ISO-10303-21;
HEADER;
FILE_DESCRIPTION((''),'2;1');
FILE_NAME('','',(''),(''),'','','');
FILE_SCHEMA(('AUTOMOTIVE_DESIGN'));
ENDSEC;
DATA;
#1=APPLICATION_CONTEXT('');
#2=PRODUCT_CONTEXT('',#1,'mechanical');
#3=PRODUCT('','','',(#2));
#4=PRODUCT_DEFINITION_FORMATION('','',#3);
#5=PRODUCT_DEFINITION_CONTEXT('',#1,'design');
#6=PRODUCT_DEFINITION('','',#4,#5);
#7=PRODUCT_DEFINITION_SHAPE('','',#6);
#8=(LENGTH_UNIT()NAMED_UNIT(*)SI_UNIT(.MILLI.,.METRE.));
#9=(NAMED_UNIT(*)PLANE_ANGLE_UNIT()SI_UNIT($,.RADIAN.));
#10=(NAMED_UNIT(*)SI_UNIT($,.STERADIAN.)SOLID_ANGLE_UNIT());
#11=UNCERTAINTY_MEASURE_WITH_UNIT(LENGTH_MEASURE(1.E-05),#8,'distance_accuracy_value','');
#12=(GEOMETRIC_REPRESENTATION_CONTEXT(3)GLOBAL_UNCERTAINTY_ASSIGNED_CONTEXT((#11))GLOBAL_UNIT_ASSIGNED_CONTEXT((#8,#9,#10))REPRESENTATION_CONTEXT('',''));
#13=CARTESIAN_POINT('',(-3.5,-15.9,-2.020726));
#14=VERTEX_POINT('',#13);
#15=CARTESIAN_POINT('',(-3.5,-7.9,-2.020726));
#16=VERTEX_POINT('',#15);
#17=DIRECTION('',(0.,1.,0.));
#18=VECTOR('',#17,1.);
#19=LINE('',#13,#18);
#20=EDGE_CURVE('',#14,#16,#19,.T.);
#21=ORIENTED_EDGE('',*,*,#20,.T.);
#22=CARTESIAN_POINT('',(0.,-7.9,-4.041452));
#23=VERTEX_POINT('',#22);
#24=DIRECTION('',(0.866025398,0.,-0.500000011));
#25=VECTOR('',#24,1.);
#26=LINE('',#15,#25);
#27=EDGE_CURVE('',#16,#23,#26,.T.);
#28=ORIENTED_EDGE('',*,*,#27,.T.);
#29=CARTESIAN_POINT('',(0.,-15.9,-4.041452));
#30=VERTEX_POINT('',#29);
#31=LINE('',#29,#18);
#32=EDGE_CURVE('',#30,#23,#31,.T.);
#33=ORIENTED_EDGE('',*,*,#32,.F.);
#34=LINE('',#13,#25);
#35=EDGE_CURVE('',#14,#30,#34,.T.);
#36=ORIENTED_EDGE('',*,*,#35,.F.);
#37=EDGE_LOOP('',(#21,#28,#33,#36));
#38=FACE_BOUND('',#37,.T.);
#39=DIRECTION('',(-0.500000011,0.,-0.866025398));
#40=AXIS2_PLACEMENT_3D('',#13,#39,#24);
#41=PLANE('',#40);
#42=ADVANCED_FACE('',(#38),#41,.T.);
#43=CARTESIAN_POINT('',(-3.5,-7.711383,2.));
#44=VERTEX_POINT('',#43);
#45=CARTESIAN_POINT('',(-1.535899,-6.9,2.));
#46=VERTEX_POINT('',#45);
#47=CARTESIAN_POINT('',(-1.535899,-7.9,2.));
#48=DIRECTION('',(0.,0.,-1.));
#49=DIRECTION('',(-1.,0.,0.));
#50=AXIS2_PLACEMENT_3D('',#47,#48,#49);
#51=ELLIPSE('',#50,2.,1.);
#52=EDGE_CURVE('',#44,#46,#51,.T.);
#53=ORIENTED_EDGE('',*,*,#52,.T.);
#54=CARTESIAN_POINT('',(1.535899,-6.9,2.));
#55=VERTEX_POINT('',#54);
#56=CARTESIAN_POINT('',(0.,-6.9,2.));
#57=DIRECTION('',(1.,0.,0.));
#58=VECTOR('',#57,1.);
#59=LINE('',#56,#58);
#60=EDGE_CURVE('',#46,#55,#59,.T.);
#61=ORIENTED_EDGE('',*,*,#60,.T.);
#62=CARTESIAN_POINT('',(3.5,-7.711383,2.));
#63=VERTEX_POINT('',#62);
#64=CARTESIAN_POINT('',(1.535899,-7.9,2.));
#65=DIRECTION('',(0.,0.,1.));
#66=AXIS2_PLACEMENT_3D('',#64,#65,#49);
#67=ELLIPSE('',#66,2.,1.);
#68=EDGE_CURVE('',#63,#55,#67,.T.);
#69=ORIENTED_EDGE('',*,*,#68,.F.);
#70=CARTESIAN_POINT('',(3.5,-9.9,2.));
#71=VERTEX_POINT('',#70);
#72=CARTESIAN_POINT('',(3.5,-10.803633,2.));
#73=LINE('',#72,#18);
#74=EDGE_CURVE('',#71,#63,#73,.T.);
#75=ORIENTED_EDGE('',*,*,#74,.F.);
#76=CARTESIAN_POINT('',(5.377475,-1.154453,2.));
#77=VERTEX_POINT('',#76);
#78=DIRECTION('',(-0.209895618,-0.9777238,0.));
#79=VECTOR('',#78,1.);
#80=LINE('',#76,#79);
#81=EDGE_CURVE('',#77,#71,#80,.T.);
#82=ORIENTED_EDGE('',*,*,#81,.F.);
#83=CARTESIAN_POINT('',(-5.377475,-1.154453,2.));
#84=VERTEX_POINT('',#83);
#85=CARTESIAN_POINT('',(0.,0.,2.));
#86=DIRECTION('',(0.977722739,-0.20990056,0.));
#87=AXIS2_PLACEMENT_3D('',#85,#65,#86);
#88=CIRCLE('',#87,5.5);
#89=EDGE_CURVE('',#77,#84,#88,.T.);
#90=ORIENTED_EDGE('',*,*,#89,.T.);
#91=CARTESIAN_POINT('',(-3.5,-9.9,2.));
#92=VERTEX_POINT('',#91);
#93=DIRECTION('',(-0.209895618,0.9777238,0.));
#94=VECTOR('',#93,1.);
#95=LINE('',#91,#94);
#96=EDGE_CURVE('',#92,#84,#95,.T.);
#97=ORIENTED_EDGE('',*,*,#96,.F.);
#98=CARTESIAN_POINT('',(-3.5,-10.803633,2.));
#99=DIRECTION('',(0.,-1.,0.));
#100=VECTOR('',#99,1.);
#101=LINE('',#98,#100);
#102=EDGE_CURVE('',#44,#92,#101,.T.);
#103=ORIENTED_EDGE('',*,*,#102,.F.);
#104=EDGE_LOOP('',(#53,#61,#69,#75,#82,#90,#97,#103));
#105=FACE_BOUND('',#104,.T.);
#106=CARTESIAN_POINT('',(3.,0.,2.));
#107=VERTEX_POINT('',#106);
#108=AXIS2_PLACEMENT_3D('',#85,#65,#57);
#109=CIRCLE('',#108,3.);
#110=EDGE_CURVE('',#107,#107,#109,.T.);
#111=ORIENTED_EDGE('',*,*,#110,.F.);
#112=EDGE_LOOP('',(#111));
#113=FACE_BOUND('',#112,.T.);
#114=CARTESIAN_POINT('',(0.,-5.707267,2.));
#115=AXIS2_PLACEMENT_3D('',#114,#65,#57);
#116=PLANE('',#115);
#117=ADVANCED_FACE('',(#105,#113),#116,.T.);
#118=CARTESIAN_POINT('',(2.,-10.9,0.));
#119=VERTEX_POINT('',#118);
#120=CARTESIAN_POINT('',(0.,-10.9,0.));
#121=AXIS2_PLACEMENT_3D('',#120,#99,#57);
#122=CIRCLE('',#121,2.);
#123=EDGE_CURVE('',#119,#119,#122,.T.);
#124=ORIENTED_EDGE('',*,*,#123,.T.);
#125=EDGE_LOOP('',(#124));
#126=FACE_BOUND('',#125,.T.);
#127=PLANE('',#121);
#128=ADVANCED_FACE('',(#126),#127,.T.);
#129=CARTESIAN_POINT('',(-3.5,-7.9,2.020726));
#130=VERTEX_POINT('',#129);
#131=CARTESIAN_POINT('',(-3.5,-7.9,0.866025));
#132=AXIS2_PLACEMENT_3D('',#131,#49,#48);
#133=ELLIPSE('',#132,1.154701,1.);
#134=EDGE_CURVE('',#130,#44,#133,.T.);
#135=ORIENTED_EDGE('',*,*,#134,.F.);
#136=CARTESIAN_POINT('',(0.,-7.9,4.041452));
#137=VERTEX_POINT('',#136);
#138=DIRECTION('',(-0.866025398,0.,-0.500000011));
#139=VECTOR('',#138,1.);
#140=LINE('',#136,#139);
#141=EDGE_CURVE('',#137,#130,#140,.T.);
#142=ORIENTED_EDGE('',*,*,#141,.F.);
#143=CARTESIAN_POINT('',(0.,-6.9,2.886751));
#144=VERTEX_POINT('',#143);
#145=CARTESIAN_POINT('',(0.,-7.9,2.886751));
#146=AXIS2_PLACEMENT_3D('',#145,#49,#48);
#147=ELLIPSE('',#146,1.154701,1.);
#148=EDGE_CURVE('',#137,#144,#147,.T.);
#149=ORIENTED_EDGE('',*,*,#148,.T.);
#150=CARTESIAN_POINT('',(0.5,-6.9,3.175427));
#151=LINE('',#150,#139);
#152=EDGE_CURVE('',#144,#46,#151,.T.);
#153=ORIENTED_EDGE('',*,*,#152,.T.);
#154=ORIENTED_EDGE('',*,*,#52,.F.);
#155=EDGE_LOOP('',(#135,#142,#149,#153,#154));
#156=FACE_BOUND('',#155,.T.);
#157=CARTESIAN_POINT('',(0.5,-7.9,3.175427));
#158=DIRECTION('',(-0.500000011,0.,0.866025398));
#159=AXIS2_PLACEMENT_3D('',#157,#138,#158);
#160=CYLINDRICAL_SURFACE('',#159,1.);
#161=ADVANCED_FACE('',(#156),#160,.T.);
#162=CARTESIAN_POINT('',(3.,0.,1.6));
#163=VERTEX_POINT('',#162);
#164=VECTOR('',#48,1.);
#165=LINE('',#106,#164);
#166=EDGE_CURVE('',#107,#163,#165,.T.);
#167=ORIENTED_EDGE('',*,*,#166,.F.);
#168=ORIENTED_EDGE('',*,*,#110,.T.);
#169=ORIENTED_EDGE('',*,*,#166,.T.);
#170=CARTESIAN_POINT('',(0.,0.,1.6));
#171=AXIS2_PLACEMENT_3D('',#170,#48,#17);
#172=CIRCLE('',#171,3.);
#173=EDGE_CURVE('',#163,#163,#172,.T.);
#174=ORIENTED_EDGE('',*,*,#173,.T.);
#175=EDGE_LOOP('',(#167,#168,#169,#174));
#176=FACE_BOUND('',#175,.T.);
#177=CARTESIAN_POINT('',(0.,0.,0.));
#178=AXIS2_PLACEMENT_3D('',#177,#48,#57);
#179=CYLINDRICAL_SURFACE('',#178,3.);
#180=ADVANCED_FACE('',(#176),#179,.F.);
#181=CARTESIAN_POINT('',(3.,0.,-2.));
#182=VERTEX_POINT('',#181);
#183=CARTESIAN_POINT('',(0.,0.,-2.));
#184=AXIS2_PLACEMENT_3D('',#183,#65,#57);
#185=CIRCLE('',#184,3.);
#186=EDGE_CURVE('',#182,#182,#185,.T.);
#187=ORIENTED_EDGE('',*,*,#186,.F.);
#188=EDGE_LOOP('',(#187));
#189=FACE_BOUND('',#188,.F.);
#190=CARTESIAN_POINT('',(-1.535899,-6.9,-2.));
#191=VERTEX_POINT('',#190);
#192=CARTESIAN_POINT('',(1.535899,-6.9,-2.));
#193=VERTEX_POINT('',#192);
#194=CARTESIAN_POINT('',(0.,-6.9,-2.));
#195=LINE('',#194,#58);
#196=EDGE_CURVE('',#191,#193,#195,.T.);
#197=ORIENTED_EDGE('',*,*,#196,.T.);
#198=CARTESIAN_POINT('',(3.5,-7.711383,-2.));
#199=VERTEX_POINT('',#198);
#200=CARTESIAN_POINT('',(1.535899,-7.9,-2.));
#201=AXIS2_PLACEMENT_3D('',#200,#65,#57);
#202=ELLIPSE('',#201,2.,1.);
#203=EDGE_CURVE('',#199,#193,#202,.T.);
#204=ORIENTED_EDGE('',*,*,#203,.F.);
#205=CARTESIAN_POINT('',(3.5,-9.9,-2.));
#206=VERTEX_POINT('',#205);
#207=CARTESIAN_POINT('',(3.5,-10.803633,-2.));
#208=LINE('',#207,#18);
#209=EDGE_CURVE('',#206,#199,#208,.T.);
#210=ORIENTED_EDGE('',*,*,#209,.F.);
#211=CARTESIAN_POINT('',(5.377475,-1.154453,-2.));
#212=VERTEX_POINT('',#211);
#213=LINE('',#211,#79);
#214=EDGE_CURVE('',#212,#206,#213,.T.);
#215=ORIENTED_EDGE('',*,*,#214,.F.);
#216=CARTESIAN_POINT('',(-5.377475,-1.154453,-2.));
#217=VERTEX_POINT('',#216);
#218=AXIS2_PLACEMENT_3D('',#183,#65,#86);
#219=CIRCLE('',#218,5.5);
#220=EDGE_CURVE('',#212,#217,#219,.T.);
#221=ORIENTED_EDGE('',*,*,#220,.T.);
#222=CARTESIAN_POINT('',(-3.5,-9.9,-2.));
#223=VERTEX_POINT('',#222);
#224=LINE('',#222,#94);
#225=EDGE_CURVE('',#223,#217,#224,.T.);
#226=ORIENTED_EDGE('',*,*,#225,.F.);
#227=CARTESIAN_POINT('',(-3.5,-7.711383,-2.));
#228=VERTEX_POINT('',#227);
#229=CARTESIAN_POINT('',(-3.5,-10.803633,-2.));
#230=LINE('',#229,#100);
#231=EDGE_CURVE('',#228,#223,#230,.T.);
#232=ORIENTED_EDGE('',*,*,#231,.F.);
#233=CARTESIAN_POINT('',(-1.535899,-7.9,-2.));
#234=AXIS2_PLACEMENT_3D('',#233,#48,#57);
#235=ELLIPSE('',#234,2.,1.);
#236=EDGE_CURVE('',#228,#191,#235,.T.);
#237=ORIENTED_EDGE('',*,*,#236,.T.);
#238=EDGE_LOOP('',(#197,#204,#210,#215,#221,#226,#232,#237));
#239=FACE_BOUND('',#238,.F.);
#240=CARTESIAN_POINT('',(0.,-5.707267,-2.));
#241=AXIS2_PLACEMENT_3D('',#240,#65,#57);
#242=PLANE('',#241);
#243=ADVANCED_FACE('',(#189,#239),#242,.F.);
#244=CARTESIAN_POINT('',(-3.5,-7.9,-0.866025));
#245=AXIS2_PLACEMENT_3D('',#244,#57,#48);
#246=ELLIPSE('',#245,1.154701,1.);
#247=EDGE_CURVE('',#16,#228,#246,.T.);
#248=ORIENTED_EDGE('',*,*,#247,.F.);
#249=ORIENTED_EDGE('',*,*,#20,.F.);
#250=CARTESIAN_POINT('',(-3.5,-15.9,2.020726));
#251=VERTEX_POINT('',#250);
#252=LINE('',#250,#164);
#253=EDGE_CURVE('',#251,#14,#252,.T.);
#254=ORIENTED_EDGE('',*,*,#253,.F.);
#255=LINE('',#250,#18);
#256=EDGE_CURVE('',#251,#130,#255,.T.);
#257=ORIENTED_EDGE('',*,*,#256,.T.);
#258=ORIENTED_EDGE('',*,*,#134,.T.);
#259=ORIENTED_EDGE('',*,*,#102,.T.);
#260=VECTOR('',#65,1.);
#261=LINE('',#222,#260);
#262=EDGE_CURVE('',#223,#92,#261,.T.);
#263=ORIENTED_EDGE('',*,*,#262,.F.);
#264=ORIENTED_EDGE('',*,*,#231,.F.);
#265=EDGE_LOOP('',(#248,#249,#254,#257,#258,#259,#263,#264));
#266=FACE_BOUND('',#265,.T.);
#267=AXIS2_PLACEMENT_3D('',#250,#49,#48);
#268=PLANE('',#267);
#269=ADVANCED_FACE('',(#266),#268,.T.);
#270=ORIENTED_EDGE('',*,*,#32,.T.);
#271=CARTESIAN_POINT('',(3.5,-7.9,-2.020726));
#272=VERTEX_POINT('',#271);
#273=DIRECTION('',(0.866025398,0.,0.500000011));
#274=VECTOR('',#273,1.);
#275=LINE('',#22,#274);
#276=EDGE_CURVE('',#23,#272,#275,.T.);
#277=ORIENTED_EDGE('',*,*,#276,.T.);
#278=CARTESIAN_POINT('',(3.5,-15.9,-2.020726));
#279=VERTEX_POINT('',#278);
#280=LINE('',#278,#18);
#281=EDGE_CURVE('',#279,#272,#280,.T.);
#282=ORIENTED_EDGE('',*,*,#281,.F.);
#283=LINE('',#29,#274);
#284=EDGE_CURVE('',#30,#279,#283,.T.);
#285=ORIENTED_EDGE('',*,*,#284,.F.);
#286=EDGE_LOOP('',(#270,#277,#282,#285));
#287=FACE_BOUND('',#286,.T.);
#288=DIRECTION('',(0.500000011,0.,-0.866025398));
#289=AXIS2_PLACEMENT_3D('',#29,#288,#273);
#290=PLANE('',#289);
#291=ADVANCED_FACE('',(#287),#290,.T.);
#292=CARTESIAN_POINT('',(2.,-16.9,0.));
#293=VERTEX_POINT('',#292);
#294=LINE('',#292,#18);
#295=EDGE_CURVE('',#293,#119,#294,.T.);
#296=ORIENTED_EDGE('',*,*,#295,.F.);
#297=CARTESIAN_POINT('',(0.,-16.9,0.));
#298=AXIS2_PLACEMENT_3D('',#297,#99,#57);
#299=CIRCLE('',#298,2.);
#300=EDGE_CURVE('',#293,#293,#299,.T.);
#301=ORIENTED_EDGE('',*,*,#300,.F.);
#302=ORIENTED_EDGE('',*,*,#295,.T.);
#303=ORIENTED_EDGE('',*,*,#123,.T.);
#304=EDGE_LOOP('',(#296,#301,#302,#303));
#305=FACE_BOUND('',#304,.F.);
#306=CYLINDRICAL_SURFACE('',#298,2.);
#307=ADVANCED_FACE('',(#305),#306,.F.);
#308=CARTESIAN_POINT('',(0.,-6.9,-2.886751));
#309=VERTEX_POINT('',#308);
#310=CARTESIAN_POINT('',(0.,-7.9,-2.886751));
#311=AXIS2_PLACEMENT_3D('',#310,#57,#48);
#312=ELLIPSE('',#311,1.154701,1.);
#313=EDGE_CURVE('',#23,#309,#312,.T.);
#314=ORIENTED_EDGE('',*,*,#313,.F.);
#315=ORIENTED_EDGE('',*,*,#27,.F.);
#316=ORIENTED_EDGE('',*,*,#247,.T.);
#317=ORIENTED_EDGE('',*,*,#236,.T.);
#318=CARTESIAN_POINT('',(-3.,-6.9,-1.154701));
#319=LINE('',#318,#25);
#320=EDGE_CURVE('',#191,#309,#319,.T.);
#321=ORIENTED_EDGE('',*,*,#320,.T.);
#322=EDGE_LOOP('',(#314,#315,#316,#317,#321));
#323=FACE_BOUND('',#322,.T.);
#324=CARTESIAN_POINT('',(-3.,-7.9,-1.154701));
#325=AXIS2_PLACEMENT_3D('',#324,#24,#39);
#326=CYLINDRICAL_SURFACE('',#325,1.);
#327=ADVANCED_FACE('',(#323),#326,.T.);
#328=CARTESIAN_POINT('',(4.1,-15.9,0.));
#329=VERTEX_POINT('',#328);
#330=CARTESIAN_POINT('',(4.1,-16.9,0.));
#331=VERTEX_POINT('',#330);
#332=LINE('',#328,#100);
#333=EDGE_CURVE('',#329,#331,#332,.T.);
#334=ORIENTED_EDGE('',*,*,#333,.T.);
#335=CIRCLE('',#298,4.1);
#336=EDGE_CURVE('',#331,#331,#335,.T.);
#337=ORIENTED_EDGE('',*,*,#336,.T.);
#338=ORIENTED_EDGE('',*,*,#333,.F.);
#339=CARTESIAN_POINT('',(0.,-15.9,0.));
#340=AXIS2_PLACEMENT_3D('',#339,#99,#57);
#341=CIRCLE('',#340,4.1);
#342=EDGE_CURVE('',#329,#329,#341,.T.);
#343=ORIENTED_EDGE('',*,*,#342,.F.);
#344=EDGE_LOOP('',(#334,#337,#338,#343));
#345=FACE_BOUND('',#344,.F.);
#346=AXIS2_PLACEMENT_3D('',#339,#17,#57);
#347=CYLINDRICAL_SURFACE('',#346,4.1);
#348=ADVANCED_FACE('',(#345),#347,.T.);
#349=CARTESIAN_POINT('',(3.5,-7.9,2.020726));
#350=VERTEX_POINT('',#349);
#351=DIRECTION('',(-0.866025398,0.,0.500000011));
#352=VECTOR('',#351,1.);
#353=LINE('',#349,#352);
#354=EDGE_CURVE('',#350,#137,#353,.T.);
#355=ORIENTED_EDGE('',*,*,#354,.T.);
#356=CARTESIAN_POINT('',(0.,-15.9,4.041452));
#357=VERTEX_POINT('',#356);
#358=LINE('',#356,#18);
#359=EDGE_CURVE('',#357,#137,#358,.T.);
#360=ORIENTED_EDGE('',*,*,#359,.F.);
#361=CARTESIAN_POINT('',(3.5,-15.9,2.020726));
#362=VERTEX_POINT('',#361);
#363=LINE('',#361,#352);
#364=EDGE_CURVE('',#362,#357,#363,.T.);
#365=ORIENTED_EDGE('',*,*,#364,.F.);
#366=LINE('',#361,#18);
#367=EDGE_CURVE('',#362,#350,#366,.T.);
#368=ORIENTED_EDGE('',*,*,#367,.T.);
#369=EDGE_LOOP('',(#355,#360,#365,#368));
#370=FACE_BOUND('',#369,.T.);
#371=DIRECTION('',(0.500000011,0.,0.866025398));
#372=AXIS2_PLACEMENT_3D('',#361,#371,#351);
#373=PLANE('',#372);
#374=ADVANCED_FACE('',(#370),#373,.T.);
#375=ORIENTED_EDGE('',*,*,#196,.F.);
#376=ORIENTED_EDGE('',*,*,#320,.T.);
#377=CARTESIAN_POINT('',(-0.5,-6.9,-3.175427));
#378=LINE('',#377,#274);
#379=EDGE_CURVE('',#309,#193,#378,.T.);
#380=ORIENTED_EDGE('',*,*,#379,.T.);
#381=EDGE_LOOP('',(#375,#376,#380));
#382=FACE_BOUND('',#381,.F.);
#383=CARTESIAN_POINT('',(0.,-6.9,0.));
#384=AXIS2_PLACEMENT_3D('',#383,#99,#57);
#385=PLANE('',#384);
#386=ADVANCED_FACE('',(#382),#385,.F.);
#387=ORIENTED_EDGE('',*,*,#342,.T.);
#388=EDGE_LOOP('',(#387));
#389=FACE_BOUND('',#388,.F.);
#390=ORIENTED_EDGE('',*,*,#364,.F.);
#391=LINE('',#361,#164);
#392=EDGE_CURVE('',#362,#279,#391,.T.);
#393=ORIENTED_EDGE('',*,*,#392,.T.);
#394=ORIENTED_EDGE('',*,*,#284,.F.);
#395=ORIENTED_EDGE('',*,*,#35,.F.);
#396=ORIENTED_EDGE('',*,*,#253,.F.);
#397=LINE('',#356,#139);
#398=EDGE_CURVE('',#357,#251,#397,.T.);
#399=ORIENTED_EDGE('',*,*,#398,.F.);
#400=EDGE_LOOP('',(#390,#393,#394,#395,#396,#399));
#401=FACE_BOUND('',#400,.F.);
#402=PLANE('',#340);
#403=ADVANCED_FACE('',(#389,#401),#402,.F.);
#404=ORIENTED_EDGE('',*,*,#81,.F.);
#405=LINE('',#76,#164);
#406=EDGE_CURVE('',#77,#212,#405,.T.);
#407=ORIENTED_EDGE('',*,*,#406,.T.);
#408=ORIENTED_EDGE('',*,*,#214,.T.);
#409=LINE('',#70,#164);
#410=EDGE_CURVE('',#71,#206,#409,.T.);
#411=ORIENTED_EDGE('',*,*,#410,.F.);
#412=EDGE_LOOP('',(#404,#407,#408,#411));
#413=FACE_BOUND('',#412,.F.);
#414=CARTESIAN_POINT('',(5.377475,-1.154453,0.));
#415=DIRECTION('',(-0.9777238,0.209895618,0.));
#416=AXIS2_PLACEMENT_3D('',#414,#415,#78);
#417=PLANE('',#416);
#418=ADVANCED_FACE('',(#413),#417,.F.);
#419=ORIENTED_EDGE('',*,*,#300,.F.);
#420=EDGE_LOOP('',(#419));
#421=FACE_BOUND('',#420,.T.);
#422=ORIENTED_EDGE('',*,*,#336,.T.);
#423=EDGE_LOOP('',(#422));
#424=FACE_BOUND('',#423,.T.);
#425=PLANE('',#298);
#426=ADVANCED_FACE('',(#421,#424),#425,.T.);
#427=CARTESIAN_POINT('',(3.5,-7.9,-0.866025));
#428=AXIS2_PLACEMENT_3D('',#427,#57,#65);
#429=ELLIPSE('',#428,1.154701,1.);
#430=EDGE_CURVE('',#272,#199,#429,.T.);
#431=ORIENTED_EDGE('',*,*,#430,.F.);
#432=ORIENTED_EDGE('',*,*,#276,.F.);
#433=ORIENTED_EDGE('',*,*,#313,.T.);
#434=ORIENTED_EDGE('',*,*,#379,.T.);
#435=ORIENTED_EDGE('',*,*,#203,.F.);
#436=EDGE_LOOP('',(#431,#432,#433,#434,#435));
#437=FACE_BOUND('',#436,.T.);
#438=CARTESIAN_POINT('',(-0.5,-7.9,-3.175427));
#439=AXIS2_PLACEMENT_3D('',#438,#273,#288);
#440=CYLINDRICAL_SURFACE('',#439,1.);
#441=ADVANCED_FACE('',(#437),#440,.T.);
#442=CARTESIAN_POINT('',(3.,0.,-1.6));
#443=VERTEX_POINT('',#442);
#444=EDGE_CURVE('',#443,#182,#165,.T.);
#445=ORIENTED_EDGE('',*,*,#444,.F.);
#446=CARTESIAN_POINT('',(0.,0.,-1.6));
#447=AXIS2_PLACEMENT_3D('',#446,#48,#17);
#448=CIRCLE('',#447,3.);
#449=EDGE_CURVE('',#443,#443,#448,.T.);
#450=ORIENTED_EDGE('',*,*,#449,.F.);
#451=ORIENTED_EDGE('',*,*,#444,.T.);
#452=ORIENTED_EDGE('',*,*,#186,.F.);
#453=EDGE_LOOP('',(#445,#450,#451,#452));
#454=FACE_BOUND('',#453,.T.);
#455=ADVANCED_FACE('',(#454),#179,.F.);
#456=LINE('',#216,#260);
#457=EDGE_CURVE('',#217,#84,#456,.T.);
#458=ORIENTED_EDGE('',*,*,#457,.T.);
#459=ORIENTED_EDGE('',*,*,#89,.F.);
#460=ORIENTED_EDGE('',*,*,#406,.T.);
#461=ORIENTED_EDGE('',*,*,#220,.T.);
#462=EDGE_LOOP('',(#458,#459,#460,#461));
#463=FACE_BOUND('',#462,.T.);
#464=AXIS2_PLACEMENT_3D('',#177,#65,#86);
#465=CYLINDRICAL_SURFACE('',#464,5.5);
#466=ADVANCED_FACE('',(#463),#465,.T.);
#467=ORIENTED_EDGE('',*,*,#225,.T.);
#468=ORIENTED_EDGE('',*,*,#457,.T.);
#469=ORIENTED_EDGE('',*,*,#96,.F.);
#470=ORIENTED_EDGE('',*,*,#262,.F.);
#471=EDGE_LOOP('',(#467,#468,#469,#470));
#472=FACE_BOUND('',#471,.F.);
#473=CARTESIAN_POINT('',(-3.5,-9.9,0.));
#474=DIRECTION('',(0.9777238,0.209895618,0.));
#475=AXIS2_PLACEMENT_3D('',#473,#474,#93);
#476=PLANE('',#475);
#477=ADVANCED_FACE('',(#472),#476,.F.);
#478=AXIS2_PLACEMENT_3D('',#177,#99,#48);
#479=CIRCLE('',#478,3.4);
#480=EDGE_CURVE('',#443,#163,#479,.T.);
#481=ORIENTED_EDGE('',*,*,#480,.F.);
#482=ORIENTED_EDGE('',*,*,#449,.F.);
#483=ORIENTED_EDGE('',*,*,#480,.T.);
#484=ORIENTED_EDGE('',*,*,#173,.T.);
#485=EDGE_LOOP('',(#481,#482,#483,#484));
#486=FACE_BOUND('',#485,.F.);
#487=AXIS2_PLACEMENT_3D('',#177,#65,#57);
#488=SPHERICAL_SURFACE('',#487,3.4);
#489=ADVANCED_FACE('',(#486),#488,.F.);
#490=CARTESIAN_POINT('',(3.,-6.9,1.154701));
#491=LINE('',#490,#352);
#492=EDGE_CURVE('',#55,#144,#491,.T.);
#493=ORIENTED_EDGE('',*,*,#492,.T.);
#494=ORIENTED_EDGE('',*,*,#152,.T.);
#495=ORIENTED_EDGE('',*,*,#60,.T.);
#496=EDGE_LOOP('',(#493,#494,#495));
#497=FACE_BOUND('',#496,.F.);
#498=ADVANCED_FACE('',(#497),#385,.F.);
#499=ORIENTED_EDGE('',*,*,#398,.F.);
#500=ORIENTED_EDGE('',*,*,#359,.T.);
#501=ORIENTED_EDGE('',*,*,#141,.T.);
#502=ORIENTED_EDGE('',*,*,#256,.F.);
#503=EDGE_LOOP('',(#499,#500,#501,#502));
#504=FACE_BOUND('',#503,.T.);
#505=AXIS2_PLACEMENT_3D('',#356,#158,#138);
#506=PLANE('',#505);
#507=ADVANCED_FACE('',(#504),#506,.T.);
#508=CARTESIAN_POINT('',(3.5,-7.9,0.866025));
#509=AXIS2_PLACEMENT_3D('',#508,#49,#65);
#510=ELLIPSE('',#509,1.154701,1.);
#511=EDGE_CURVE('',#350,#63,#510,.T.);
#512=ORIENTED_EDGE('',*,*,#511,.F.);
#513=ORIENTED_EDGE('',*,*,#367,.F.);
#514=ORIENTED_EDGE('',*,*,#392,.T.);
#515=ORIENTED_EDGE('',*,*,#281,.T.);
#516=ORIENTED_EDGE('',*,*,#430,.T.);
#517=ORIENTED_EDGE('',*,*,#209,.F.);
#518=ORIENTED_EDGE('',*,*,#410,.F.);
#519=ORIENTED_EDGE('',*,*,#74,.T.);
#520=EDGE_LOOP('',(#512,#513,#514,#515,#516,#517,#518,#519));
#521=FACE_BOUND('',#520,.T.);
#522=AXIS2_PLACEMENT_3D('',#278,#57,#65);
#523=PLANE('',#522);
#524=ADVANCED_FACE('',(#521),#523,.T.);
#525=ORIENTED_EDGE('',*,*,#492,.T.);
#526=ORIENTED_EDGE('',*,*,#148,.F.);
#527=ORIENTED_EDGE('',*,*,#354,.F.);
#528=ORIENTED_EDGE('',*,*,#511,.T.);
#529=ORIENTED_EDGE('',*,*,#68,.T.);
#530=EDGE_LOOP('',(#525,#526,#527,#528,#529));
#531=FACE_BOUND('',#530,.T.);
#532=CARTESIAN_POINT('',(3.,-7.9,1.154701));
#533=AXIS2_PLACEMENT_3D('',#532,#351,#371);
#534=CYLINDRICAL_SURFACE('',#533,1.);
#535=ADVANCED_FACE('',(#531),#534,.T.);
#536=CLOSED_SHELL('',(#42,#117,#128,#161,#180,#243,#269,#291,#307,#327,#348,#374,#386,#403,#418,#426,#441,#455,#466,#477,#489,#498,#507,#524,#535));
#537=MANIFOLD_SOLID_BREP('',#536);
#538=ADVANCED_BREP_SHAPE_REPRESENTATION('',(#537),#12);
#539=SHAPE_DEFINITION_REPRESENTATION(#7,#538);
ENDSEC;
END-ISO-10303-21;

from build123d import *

# Parameters (mm, degrees)
SKETCH_R     = 3
PAD_DEPTH    = 2
PAD001_DEPTH = 9
SKETCH002_R  = 4.1
PAD002_DEPTH = 1
SKETCH003_R  = 2
POCKET_DEPTH = 6
FILLET_R     = 1


with BuildPart() as revolution:
    # Sketch004 → Revolution (revolve)
    with BuildSketch(Plane.XZ):
        with BuildLine():
            ThreePointArc((0, -3.4), (3.4, 0), (0, 3.4))
            Line((0, 3.4), (0, -3.4))
        make_face()
    revolve(axis=Axis((0, 0, 0), (0, 0, 1)))


with BuildPart() as cut:
    # Sketch → Pad (new body, symmetric)
    with BuildSketch(Plane.XY):
        with BuildLine():
            ThreePointArc((5.377475, -1.154453), (0, 5.5), (-5.377475, -1.154453))
            Line((-3.5, -9.9), (-5.377475, -1.154453))
            Line((-3.5, -15.9), (-3.5, -9.9))
            Line((3.5, -15.9), (-3.5, -15.9))
            Line((3.5, -9.9), (3.5, -15.9))
            Line((5.377475, -1.154453), (3.5, -9.9))
        make_face()
        Circle(SKETCH_R, mode=Mode.SUBTRACT)
    extrude(amount=PAD_DEPTH, both=True)

    # Sketch001 → Pad001 (new body)
    with BuildSketch(Plane.XZ.offset(15.9)):
        Polygon((3.5, 2.020726), (0, 4.041452), (-3.5, 2.020726), (-3.5, -2.020726), (0, -4.041452), (3.5, -2.020726), align=None)
    extrude(amount=-PAD001_DEPTH)

    # Sketch002 → Pad002 (new body)
    with BuildSketch(Plane.XZ.offset(15.9)):
        Circle(SKETCH002_R)
    extrude(amount=PAD002_DEPTH)

    # Sketch003 → Pocket (cut)
    with BuildSketch(Plane.XZ.offset(16.9)):
        Circle(SKETCH003_R)
    extrude(amount=-POCKET_DEPTH, mode=Mode.SUBTRACT)

    # Fillet
    fillet_edges = [cut.edges().sort_by_distance(p)[0] for p in [
        (-1.75, -6.9, 3.031089),
        (1.75, -6.9, 3.031089),
        (-1.75, -6.9, -3.031089),
        (1.75, -6.9, -3.031089),
    ]]
    fillet(fillet_edges, radius=FILLET_R)

    # Cut: cut Revolution
    add(revolution.part, mode=Mode.SUBTRACT)


solid = cut.part
